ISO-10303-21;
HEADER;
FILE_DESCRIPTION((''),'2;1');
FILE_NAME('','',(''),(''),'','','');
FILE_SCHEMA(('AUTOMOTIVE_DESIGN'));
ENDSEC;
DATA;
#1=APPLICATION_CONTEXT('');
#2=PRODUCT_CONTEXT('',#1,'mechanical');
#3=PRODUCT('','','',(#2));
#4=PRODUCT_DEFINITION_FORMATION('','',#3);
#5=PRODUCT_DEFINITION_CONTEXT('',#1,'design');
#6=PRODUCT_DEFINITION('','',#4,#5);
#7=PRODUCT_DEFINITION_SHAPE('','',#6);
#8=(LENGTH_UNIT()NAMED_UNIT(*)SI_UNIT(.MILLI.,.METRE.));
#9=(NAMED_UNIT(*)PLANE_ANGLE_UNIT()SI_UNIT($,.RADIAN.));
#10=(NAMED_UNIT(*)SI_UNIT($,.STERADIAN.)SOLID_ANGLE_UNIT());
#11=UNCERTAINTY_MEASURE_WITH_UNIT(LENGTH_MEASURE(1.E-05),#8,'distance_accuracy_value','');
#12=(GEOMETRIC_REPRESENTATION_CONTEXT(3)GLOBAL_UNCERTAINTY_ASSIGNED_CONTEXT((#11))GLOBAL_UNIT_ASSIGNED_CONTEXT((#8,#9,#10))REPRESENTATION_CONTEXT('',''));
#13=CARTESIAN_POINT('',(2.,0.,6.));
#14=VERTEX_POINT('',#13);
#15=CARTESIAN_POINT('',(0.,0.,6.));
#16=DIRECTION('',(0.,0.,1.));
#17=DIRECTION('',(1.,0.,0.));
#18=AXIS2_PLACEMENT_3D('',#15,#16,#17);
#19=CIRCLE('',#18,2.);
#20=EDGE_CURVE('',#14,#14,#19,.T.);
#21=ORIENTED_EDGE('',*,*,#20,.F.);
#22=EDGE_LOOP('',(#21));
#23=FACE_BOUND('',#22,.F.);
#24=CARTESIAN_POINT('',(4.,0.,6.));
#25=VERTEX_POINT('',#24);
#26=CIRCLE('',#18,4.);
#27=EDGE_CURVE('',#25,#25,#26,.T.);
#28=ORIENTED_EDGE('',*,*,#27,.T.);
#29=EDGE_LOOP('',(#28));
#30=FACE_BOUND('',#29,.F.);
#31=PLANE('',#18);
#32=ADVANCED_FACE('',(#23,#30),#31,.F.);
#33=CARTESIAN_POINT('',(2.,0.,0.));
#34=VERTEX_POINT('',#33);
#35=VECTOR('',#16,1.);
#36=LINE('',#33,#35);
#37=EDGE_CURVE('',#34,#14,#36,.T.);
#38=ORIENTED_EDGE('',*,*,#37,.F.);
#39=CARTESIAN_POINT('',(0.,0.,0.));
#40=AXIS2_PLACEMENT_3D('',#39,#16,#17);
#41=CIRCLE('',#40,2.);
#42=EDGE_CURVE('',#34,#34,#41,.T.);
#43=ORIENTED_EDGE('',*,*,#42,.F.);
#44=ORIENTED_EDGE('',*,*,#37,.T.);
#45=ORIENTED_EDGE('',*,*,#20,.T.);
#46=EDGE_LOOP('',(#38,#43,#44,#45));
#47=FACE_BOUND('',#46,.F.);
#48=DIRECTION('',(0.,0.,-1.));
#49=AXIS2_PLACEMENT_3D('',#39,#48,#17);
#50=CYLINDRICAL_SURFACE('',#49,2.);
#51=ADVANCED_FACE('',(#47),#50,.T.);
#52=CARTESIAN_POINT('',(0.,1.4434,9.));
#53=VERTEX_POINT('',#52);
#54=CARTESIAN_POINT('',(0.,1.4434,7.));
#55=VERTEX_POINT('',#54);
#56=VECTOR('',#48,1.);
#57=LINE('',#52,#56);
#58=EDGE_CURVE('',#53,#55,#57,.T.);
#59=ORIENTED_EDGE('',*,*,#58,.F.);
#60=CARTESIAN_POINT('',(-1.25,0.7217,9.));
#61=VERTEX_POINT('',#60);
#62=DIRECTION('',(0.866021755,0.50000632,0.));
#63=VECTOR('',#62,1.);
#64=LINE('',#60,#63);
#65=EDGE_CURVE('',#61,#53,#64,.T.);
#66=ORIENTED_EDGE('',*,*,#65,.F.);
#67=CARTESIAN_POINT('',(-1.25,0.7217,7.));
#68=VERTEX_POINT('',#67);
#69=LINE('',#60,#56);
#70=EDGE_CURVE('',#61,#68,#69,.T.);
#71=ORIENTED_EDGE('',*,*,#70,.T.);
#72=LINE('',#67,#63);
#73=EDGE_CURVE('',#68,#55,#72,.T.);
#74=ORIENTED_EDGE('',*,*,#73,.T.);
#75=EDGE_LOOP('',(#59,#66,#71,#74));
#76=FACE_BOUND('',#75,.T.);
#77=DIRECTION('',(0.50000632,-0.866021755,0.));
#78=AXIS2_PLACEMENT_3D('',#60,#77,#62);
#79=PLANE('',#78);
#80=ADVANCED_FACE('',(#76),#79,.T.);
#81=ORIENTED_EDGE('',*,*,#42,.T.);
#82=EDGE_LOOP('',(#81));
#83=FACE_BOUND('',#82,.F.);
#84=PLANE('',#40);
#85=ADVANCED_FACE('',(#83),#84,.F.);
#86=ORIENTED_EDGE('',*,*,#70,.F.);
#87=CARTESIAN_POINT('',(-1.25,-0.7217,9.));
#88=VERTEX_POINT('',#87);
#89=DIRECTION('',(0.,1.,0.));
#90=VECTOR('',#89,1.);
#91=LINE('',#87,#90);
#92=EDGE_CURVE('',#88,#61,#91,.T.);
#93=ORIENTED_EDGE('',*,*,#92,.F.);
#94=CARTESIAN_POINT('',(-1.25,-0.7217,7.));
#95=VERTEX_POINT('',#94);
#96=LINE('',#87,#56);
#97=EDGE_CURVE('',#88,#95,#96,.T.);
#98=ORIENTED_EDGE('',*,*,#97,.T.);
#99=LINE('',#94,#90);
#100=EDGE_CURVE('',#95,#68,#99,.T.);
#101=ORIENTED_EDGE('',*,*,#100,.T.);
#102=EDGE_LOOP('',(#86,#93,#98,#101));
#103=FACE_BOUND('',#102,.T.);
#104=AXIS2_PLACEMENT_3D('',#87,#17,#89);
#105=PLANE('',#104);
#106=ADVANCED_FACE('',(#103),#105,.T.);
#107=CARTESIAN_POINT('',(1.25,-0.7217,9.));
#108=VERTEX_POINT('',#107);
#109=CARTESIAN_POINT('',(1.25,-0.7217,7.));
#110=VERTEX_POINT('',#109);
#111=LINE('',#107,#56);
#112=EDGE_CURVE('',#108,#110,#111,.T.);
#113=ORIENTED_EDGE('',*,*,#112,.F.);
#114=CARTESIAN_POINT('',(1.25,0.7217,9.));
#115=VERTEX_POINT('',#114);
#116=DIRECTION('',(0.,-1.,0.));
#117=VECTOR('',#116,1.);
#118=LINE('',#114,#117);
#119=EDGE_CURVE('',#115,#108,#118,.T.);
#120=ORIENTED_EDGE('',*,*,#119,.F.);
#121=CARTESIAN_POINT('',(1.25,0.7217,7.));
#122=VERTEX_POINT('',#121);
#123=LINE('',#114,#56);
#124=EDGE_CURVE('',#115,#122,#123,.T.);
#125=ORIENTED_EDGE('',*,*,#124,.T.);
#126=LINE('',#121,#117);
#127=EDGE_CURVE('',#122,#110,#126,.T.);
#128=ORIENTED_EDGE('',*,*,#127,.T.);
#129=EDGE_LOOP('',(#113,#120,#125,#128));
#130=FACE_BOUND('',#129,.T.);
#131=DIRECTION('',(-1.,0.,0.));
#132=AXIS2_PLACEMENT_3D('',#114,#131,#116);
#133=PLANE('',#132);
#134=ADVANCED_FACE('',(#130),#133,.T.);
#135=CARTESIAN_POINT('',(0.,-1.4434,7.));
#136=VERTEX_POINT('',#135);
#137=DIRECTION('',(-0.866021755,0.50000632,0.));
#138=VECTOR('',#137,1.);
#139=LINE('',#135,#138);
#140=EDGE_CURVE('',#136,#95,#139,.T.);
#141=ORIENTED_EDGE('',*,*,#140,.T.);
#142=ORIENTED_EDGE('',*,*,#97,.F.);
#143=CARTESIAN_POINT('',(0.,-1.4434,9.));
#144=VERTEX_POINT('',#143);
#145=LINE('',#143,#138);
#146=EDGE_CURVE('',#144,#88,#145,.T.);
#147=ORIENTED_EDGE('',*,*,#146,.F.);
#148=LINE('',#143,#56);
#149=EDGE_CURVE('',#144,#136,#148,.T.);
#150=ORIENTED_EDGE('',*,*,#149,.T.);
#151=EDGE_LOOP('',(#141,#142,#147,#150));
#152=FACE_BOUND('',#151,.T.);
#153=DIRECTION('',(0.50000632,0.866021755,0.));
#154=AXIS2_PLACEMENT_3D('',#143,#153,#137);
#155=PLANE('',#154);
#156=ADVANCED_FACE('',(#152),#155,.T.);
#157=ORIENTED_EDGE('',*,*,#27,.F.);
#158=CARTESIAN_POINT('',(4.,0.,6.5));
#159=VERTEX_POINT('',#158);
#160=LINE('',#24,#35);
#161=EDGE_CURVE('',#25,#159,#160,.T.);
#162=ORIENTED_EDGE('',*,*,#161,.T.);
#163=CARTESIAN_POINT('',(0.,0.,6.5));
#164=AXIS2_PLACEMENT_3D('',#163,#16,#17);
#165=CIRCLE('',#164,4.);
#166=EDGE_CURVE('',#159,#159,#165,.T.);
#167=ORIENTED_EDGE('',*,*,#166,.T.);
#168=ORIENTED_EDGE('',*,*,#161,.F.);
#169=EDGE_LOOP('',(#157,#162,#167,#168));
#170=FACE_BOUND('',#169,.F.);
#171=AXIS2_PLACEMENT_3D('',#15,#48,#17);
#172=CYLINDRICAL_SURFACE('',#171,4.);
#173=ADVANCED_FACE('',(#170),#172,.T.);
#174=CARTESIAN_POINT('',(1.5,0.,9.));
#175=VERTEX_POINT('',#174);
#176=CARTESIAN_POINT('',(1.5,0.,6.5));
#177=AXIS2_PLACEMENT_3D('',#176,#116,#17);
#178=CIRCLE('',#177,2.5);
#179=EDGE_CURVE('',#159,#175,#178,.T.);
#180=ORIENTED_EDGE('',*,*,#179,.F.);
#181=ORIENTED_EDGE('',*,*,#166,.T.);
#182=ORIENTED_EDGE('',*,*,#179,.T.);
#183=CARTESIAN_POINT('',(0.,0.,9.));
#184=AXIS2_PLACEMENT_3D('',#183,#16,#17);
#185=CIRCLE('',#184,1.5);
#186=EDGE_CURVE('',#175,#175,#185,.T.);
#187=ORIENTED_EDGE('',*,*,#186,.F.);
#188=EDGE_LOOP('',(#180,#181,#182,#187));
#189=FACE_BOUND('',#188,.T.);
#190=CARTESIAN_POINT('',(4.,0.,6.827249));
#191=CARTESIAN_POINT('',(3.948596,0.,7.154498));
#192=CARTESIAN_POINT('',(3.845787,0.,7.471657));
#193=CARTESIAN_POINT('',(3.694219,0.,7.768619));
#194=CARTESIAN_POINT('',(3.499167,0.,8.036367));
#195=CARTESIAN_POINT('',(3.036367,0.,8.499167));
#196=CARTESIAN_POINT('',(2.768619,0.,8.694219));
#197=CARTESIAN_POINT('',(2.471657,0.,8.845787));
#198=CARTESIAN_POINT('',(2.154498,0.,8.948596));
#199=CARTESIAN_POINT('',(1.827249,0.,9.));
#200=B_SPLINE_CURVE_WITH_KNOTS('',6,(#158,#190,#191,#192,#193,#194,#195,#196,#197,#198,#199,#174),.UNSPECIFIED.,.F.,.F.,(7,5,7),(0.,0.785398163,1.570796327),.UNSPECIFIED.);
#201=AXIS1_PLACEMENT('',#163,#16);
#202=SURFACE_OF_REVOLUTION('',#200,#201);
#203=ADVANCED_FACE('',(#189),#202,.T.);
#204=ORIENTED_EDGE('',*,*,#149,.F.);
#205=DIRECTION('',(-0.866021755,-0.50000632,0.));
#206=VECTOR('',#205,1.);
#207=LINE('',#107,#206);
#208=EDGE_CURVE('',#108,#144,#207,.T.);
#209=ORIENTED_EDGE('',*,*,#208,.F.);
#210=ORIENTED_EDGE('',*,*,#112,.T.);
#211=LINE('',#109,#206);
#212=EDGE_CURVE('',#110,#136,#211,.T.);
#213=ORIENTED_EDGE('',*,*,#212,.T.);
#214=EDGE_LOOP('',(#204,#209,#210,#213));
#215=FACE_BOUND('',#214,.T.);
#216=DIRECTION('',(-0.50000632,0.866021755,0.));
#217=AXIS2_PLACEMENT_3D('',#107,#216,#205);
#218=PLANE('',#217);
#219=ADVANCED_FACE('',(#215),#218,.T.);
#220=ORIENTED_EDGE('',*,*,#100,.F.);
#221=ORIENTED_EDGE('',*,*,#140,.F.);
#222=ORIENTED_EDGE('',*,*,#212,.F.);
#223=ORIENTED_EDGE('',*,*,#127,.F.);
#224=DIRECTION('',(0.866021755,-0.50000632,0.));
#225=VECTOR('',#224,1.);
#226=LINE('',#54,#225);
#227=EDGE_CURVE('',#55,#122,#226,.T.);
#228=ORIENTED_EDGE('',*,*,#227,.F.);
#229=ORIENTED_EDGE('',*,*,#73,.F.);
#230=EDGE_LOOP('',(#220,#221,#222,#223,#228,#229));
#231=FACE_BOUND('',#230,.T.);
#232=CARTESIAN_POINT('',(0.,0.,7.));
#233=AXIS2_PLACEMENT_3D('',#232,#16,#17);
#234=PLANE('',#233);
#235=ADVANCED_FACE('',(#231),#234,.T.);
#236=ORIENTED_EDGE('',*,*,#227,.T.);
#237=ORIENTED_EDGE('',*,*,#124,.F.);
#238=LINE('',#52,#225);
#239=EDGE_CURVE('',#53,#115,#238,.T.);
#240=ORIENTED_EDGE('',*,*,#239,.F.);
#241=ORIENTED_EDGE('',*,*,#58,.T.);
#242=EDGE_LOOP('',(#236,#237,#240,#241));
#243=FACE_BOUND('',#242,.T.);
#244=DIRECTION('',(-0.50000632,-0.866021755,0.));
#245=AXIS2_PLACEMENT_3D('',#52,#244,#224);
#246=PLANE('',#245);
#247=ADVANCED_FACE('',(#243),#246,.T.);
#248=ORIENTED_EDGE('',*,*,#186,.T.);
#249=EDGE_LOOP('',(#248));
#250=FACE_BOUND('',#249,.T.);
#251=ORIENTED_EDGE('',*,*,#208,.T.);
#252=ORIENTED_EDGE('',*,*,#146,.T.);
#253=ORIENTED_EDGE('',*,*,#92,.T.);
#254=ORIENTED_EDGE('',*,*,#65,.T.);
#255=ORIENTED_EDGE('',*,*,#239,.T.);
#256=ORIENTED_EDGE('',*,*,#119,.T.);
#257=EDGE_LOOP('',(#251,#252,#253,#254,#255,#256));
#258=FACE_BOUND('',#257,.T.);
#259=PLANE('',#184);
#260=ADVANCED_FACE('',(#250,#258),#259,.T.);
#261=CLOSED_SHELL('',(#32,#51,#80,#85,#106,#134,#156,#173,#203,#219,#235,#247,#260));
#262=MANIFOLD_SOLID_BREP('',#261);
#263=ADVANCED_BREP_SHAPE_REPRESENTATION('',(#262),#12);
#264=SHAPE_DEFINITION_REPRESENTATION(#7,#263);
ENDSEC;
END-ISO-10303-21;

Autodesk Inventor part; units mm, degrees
ref_plane "YZ Plane" through (0, 0, 0) normal (1, 0, 0) x (0, 1, 0)
ref_plane "XZ Plane" through (0, 0, 0) normal (0, 1, 0) x (-1, 0, 0)
ref_plane "XY Plane" through (0, 0, 0) normal (0, 0, 1) x (1, 0, 0)
sketch "スケッチ1" plane through (0, 0, 0) normal (0, 0, 1) x (1, 0, 0)
  circle A0 centre (0, 0) radius 2
  dimension "d0" = 4
extrude "押し出し1" add sketch "スケッチ1" along normal blind 6
sketch "スケッチ2" plane through (0, 0, 6) normal (0, 0, 1) x (1, 0, 0)
  circle A0 centre (0, 0) radius 2 projected
  circle A1 centre (0, 0) radius 4
  dimension "d3" = 8
extrude "押し出し2" add sketch "スケッチ2" along normal blind 3 contours A0 | A1
fillet "フィレット1" radius 2.5 1 edges at (-4, 0, 9)
thread "ねじ1" size "M4x0.7" class "6g" standard "ANSI Metric M Profile" full length
sketch "スケッチ3" plane through (0, 0, 9) normal (0, 0, 1) x (1, 0, 0)
  line L0 (0, 1.4434) -> (1.25, 0.7217)
  line L1 (1.25, 0.7217) -> (1.25, -0.7217)
  line L2 (1.25, -0.7217) -> (0, -1.4434)
  line L3 (0, -1.4434) -> (-1.25, -0.7217)
  line L4 (-1.25, -0.7217) -> (-1.25, 0.7217)
  line L5 (-1.25, 0.7217) -> (0, 1.4434)
  point P0 (0, 0)
  point P1 (0, 0)
  dimension "d10" = 2.5
extrude "押し出し3" cut sketch "スケッチ3" against normal blind 2
properties part number "ネジボタン4L6" material "Stainless Steel, 440C"
